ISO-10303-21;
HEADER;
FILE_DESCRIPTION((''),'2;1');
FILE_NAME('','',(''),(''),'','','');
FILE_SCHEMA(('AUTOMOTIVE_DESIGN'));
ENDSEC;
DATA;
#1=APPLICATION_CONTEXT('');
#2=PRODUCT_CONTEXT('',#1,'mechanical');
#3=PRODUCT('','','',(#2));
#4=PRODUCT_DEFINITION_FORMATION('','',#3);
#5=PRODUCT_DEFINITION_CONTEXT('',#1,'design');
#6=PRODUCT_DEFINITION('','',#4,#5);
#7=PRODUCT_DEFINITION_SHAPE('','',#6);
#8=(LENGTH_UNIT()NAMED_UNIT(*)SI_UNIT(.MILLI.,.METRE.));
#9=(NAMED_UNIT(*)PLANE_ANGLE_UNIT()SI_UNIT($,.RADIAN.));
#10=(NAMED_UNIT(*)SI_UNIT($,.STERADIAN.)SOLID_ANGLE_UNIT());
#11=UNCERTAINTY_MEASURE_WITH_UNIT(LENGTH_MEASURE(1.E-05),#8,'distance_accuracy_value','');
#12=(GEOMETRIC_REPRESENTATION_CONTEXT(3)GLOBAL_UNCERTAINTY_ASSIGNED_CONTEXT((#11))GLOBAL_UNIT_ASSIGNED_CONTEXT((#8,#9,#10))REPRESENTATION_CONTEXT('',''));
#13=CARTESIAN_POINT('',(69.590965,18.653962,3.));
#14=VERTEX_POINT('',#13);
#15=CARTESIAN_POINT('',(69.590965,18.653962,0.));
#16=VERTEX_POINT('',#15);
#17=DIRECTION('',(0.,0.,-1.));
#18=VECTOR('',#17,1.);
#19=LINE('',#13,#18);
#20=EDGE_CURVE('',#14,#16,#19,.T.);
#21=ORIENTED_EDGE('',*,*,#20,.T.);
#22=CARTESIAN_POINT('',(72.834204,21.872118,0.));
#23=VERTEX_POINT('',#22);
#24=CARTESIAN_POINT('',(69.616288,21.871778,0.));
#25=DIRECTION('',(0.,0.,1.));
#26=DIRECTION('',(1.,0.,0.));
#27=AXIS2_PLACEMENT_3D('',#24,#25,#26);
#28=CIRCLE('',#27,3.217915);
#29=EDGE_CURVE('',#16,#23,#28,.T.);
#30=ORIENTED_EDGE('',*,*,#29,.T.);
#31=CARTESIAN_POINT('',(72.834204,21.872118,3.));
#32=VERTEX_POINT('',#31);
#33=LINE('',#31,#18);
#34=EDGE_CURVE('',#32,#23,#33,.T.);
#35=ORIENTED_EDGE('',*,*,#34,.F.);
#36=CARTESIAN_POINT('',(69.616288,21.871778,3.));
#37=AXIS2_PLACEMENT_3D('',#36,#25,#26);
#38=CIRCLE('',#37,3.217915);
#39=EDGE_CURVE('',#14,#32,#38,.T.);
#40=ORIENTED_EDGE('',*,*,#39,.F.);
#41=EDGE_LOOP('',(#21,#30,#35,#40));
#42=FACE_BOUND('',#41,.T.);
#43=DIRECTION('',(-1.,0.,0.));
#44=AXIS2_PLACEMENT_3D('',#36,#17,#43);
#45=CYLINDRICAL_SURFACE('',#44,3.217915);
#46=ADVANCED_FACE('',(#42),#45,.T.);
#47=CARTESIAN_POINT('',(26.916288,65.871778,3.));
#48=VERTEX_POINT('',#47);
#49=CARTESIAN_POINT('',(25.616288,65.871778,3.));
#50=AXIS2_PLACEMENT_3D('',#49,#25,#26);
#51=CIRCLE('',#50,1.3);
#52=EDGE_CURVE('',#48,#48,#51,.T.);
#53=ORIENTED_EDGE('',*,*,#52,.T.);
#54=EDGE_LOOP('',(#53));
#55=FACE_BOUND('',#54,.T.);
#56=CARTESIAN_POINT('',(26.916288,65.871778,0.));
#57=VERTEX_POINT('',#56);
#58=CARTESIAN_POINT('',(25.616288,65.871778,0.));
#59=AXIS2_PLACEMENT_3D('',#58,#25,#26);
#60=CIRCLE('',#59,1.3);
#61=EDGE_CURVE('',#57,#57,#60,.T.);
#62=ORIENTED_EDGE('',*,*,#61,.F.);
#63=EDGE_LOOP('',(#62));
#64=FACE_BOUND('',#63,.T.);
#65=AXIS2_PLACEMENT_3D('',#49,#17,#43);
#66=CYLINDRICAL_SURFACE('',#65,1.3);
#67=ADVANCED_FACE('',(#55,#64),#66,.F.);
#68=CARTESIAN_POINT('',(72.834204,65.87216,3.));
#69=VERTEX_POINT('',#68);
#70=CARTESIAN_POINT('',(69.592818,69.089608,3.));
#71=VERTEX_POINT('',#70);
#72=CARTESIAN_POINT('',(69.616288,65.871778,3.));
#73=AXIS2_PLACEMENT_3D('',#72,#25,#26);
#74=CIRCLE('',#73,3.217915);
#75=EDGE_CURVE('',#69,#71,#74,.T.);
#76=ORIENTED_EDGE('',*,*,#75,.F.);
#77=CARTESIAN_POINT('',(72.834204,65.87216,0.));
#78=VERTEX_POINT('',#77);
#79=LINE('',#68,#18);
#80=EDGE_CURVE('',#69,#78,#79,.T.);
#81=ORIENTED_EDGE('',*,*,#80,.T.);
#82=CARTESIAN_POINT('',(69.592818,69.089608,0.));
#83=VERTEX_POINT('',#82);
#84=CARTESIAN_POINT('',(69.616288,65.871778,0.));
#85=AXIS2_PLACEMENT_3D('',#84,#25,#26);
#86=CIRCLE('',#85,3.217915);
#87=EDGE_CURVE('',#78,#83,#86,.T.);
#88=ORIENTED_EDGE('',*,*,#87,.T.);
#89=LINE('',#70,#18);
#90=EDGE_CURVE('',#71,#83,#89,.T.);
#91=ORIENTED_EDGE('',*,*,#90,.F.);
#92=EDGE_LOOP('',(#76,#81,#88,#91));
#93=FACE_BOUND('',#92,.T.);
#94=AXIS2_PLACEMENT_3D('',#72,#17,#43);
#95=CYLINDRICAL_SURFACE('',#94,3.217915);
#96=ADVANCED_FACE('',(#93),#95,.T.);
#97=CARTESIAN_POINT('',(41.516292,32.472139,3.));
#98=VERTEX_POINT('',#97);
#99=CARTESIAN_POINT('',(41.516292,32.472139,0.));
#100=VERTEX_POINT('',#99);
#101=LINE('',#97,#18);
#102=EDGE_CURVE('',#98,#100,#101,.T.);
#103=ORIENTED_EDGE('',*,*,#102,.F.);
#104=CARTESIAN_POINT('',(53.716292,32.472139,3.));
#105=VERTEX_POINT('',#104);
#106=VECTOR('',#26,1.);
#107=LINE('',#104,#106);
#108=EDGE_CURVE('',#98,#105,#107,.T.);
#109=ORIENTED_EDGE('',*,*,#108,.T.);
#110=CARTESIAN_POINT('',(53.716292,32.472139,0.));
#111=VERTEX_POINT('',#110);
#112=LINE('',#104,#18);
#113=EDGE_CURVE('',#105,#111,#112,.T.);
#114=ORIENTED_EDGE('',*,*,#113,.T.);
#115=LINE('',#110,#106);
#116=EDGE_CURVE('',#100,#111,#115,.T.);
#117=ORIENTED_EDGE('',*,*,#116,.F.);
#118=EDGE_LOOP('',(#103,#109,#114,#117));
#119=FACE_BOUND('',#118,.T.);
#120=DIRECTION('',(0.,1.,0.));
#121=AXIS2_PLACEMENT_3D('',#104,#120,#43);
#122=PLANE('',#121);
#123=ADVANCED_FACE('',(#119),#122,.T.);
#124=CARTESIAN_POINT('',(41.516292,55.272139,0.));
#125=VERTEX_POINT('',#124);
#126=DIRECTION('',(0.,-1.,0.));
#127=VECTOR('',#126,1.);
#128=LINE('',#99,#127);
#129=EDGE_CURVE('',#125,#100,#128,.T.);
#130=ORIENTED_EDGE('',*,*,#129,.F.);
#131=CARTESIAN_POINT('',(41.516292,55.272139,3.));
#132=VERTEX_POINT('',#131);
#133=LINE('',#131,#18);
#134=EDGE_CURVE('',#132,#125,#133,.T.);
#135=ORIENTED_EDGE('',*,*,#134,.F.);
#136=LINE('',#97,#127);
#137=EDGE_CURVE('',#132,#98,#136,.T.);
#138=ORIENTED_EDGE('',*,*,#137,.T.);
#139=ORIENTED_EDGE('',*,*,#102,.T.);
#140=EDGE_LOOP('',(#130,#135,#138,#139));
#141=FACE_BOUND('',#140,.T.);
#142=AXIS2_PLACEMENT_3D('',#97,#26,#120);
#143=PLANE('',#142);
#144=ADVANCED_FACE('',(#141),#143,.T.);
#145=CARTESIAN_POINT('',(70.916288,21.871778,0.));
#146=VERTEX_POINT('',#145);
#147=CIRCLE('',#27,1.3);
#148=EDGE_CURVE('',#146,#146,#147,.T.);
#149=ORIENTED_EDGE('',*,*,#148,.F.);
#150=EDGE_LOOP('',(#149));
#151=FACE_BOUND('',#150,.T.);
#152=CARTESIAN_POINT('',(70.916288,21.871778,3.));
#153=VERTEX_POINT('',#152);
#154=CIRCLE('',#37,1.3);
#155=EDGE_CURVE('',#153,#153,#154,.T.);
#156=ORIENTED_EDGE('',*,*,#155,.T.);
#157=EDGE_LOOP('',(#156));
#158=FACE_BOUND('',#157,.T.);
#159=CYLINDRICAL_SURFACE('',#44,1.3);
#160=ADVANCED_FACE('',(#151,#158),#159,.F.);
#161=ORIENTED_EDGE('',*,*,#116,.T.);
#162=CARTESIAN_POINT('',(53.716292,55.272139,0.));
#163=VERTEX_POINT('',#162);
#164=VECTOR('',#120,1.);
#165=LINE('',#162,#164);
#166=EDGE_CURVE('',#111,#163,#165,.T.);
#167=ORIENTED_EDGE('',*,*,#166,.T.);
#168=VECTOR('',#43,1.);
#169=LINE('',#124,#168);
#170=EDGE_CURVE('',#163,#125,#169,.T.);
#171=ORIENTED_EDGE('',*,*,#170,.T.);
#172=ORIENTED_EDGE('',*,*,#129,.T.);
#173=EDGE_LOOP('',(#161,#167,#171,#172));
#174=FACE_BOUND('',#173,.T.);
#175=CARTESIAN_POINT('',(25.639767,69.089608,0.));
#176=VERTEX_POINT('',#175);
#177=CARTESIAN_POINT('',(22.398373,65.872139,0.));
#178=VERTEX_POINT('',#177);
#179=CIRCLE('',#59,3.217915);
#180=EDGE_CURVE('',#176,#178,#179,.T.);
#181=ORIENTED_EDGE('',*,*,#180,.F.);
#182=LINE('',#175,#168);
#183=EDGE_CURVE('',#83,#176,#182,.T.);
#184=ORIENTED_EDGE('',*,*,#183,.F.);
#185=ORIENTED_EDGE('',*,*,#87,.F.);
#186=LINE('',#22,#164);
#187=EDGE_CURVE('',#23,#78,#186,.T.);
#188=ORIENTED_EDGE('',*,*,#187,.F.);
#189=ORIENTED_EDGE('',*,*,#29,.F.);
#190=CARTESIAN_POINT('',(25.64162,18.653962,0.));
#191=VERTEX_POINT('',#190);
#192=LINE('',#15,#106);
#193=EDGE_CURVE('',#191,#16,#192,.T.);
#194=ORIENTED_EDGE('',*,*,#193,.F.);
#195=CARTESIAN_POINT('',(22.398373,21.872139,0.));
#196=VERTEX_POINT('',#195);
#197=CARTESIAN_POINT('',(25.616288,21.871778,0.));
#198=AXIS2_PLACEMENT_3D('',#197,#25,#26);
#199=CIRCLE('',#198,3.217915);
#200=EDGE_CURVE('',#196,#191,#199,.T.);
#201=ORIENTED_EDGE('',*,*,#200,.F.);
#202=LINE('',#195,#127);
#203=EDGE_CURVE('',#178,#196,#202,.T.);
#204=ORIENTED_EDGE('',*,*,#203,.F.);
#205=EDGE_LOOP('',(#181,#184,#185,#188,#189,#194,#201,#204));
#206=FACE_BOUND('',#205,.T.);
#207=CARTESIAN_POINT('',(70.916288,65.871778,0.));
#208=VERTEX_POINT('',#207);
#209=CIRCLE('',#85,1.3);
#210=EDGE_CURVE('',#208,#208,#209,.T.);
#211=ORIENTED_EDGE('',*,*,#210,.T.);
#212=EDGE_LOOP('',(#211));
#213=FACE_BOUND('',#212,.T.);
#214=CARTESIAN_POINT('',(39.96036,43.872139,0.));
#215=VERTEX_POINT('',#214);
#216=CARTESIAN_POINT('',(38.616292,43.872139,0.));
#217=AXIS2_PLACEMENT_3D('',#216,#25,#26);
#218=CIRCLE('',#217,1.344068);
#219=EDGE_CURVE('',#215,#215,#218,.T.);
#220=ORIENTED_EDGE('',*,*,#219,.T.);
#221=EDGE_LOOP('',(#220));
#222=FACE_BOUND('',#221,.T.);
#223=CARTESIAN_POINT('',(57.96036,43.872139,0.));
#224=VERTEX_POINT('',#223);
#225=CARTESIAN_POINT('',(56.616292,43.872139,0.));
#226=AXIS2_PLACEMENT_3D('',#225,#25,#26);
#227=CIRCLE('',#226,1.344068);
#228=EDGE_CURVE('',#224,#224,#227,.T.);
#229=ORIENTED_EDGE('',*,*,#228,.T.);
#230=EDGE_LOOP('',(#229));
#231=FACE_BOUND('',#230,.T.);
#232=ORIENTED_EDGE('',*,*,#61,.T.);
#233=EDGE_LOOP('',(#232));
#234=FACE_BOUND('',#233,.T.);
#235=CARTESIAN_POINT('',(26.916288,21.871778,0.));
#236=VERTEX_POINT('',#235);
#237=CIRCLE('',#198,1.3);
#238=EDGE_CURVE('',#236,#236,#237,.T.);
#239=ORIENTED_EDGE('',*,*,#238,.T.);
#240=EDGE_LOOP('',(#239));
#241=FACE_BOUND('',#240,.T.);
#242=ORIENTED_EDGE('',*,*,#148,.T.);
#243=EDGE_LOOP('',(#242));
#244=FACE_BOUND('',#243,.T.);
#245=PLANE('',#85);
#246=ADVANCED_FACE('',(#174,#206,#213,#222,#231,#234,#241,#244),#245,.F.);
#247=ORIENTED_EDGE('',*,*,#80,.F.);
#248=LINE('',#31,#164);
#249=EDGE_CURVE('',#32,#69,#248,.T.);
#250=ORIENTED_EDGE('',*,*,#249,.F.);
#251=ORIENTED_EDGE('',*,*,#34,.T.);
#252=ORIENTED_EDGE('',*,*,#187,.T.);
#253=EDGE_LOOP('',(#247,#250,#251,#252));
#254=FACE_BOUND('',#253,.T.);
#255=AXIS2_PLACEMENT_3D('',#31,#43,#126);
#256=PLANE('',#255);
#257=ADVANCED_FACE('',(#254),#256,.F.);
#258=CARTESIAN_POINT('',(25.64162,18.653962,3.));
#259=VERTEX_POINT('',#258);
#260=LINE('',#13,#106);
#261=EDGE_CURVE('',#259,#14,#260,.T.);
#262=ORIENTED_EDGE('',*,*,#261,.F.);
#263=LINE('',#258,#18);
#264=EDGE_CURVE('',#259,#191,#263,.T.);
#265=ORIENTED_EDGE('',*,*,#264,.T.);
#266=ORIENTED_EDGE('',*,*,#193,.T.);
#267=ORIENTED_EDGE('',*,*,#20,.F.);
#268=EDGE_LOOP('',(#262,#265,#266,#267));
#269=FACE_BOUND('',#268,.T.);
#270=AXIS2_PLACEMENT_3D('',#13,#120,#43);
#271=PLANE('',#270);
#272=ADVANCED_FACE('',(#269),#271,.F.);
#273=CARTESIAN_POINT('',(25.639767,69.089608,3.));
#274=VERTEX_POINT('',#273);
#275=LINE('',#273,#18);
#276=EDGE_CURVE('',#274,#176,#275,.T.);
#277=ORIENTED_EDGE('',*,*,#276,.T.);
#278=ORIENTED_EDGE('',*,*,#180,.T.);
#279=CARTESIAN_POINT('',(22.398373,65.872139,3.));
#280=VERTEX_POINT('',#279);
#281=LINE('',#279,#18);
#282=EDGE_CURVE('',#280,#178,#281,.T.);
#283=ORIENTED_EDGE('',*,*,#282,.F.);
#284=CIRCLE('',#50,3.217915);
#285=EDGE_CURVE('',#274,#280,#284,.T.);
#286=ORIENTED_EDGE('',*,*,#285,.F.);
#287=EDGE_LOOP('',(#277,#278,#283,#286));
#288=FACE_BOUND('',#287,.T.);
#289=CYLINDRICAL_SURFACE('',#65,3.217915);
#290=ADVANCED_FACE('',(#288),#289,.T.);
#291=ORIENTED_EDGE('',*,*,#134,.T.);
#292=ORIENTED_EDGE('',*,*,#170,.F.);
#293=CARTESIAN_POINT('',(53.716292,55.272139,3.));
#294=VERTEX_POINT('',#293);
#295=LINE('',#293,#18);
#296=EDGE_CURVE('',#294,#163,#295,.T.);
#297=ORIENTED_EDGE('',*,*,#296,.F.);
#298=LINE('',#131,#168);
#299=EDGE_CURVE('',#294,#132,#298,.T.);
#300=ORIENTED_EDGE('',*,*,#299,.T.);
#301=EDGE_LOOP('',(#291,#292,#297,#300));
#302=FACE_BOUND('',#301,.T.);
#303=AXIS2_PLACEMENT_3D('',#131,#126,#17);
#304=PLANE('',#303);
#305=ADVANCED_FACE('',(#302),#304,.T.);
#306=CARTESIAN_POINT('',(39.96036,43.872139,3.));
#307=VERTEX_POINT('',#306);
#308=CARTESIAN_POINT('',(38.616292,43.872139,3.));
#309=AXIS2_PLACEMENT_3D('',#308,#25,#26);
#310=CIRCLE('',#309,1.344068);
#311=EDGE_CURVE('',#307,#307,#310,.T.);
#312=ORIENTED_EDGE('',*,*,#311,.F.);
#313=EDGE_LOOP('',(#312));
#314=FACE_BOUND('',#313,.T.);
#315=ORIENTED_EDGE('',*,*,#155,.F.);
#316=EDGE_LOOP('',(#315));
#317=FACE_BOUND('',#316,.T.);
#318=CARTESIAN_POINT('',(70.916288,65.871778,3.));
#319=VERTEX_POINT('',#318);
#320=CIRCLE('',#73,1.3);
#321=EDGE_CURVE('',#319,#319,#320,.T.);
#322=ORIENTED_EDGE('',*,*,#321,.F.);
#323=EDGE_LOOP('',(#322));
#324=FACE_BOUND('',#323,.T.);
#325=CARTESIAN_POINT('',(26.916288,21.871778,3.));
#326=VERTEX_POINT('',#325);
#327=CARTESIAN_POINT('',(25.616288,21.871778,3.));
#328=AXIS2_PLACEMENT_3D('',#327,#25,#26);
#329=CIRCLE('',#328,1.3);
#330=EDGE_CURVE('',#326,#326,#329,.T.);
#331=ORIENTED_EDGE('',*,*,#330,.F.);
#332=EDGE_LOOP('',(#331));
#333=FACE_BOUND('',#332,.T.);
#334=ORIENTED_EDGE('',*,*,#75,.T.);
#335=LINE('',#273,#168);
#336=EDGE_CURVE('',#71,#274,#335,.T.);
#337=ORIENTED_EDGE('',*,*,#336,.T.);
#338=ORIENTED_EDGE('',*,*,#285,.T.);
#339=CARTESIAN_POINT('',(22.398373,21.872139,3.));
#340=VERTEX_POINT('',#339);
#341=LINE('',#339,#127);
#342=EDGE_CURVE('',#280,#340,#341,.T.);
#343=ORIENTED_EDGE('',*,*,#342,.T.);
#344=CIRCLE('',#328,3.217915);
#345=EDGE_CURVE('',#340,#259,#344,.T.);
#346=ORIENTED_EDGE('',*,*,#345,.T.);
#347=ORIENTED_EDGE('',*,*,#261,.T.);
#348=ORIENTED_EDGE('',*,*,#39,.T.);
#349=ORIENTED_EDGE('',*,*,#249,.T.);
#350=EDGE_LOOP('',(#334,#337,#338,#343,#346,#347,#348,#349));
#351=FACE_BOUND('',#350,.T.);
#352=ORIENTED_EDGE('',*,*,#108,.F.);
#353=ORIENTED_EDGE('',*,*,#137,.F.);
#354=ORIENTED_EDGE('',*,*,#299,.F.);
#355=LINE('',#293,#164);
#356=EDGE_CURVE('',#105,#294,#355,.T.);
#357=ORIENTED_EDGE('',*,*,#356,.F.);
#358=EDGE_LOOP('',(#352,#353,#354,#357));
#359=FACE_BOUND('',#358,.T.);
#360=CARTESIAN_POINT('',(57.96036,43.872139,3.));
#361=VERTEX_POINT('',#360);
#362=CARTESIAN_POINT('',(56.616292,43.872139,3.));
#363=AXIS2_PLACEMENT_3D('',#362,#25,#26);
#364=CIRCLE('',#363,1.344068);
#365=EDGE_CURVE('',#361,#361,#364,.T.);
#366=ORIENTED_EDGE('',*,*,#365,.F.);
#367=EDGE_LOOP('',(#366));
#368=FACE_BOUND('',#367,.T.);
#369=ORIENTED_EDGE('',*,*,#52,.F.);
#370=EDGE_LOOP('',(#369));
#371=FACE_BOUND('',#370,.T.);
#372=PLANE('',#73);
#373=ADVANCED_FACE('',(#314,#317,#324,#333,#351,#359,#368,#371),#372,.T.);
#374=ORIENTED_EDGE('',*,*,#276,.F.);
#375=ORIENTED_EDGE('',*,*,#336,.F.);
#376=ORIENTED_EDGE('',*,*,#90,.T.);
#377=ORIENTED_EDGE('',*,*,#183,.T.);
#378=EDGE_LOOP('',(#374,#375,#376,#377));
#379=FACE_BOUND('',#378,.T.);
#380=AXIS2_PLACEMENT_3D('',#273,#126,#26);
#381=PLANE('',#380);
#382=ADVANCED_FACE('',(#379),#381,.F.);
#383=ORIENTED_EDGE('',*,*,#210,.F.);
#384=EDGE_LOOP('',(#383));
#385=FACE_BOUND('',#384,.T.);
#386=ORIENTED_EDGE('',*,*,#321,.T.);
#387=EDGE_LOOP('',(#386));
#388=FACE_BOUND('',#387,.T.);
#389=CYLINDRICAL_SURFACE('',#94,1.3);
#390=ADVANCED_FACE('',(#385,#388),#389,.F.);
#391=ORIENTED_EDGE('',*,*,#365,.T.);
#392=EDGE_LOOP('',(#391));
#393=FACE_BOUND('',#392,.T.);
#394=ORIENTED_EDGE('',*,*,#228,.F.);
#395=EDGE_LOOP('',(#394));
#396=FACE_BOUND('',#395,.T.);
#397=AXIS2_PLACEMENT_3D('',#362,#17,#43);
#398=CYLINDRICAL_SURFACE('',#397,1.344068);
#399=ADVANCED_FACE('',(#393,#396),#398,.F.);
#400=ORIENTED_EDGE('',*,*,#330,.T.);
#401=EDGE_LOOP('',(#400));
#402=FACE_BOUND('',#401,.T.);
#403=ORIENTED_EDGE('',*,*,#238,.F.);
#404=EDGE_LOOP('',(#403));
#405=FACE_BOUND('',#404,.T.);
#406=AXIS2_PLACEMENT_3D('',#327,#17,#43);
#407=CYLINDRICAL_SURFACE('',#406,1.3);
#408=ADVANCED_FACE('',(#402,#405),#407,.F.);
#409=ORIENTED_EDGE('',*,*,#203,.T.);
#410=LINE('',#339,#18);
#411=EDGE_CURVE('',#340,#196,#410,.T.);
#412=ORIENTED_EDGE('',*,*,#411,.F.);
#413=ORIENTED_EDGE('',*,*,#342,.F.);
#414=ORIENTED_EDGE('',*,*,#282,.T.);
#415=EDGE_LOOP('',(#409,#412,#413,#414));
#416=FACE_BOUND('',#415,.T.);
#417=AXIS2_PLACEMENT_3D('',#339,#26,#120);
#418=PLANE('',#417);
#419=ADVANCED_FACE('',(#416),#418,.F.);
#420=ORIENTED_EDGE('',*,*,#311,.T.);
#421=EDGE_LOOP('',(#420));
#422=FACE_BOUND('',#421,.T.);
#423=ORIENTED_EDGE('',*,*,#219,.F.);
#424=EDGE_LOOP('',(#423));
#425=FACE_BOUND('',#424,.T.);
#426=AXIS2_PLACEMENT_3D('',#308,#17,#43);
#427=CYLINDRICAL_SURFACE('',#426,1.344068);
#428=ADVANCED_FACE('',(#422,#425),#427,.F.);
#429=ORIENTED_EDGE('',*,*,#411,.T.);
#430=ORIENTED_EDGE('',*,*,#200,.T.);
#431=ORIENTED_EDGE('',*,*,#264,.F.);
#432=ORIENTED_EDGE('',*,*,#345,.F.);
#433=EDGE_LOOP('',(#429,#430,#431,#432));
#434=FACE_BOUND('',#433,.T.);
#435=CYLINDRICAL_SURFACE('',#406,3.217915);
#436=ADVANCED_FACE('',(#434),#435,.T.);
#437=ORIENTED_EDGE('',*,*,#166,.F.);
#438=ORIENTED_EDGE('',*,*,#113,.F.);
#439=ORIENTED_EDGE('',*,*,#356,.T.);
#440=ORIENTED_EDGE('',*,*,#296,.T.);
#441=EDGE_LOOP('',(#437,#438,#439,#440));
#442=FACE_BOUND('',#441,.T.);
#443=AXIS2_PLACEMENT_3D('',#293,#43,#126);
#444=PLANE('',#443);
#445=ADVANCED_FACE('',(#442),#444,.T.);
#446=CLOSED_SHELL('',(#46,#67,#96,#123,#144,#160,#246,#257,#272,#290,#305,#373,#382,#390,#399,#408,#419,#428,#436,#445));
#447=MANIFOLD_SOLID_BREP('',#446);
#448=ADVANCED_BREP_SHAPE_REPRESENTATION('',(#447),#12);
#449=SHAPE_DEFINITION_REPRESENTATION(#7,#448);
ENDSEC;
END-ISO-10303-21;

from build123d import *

# Parameters (mm, degrees)
MODEL_R             = 1.3
MODEL_R_2           = 1.344067797
MODEL_W             = 12.2
MODEL_H             = 22.8
BOSS_EXTRUDE1_DEPTH = 3


with BuildPart() as part:
    # Model → Boss-Extrude1 (new body)
    with BuildSketch(Plane.XY):
        with BuildLine():
            Line((25.639766947, 69.089607729), (69.59281779, 69.089607729))
            ThreePointArc((69.59281779, 69.089607729), (71.883249375, 68.155605213), (72.834203695, 65.872159696))
            Line((72.834203695, 65.872159696), (72.834203695, 21.872118121))
            ThreePointArc((72.834203695, 21.872118121), (71.882847983, 19.587552286), (69.590964861, 18.653962174))
            Line((69.590964861, 18.653962174), (25.641619876, 18.653962174))
            ThreePointArc((25.641619876, 18.653962174), (23.349724106, 19.587556709), (22.398372881, 21.872138909))
            Line((22.398372881, 21.872138909), (22.398372881, 65.872138909))
            ThreePointArc((22.398372881, 65.872138909), (23.349322718, 68.155600786), (25.639766947, 69.089607729))
        make_face()
        with Locations((25.616288319, 65.871777925)):
            Circle(MODEL_R, mode=Mode.SUBTRACT)
        with Locations((69.616288319, 65.871777925)):
            Circle(MODEL_R, mode=Mode.SUBTRACT)
        with Locations((56.616292368, 43.872138909)):
            Circle(MODEL_R_2, mode=Mode.SUBTRACT)
        with Locations((38.616292368, 43.872138909)):
            Circle(MODEL_R_2, mode=Mode.SUBTRACT)
        with Locations((25.616288319, 21.871777925)):
            Circle(MODEL_R, mode=Mode.SUBTRACT)
        with Locations((69.616288319, 21.871777925)):
            Circle(MODEL_R, mode=Mode.SUBTRACT)
        with Locations((47.616292368, 43.872138909)):
            Rectangle(MODEL_W, MODEL_H, mode=Mode.SUBTRACT)
    extrude(amount=BOSS_EXTRUDE1_DEPTH)


solid = part.part
